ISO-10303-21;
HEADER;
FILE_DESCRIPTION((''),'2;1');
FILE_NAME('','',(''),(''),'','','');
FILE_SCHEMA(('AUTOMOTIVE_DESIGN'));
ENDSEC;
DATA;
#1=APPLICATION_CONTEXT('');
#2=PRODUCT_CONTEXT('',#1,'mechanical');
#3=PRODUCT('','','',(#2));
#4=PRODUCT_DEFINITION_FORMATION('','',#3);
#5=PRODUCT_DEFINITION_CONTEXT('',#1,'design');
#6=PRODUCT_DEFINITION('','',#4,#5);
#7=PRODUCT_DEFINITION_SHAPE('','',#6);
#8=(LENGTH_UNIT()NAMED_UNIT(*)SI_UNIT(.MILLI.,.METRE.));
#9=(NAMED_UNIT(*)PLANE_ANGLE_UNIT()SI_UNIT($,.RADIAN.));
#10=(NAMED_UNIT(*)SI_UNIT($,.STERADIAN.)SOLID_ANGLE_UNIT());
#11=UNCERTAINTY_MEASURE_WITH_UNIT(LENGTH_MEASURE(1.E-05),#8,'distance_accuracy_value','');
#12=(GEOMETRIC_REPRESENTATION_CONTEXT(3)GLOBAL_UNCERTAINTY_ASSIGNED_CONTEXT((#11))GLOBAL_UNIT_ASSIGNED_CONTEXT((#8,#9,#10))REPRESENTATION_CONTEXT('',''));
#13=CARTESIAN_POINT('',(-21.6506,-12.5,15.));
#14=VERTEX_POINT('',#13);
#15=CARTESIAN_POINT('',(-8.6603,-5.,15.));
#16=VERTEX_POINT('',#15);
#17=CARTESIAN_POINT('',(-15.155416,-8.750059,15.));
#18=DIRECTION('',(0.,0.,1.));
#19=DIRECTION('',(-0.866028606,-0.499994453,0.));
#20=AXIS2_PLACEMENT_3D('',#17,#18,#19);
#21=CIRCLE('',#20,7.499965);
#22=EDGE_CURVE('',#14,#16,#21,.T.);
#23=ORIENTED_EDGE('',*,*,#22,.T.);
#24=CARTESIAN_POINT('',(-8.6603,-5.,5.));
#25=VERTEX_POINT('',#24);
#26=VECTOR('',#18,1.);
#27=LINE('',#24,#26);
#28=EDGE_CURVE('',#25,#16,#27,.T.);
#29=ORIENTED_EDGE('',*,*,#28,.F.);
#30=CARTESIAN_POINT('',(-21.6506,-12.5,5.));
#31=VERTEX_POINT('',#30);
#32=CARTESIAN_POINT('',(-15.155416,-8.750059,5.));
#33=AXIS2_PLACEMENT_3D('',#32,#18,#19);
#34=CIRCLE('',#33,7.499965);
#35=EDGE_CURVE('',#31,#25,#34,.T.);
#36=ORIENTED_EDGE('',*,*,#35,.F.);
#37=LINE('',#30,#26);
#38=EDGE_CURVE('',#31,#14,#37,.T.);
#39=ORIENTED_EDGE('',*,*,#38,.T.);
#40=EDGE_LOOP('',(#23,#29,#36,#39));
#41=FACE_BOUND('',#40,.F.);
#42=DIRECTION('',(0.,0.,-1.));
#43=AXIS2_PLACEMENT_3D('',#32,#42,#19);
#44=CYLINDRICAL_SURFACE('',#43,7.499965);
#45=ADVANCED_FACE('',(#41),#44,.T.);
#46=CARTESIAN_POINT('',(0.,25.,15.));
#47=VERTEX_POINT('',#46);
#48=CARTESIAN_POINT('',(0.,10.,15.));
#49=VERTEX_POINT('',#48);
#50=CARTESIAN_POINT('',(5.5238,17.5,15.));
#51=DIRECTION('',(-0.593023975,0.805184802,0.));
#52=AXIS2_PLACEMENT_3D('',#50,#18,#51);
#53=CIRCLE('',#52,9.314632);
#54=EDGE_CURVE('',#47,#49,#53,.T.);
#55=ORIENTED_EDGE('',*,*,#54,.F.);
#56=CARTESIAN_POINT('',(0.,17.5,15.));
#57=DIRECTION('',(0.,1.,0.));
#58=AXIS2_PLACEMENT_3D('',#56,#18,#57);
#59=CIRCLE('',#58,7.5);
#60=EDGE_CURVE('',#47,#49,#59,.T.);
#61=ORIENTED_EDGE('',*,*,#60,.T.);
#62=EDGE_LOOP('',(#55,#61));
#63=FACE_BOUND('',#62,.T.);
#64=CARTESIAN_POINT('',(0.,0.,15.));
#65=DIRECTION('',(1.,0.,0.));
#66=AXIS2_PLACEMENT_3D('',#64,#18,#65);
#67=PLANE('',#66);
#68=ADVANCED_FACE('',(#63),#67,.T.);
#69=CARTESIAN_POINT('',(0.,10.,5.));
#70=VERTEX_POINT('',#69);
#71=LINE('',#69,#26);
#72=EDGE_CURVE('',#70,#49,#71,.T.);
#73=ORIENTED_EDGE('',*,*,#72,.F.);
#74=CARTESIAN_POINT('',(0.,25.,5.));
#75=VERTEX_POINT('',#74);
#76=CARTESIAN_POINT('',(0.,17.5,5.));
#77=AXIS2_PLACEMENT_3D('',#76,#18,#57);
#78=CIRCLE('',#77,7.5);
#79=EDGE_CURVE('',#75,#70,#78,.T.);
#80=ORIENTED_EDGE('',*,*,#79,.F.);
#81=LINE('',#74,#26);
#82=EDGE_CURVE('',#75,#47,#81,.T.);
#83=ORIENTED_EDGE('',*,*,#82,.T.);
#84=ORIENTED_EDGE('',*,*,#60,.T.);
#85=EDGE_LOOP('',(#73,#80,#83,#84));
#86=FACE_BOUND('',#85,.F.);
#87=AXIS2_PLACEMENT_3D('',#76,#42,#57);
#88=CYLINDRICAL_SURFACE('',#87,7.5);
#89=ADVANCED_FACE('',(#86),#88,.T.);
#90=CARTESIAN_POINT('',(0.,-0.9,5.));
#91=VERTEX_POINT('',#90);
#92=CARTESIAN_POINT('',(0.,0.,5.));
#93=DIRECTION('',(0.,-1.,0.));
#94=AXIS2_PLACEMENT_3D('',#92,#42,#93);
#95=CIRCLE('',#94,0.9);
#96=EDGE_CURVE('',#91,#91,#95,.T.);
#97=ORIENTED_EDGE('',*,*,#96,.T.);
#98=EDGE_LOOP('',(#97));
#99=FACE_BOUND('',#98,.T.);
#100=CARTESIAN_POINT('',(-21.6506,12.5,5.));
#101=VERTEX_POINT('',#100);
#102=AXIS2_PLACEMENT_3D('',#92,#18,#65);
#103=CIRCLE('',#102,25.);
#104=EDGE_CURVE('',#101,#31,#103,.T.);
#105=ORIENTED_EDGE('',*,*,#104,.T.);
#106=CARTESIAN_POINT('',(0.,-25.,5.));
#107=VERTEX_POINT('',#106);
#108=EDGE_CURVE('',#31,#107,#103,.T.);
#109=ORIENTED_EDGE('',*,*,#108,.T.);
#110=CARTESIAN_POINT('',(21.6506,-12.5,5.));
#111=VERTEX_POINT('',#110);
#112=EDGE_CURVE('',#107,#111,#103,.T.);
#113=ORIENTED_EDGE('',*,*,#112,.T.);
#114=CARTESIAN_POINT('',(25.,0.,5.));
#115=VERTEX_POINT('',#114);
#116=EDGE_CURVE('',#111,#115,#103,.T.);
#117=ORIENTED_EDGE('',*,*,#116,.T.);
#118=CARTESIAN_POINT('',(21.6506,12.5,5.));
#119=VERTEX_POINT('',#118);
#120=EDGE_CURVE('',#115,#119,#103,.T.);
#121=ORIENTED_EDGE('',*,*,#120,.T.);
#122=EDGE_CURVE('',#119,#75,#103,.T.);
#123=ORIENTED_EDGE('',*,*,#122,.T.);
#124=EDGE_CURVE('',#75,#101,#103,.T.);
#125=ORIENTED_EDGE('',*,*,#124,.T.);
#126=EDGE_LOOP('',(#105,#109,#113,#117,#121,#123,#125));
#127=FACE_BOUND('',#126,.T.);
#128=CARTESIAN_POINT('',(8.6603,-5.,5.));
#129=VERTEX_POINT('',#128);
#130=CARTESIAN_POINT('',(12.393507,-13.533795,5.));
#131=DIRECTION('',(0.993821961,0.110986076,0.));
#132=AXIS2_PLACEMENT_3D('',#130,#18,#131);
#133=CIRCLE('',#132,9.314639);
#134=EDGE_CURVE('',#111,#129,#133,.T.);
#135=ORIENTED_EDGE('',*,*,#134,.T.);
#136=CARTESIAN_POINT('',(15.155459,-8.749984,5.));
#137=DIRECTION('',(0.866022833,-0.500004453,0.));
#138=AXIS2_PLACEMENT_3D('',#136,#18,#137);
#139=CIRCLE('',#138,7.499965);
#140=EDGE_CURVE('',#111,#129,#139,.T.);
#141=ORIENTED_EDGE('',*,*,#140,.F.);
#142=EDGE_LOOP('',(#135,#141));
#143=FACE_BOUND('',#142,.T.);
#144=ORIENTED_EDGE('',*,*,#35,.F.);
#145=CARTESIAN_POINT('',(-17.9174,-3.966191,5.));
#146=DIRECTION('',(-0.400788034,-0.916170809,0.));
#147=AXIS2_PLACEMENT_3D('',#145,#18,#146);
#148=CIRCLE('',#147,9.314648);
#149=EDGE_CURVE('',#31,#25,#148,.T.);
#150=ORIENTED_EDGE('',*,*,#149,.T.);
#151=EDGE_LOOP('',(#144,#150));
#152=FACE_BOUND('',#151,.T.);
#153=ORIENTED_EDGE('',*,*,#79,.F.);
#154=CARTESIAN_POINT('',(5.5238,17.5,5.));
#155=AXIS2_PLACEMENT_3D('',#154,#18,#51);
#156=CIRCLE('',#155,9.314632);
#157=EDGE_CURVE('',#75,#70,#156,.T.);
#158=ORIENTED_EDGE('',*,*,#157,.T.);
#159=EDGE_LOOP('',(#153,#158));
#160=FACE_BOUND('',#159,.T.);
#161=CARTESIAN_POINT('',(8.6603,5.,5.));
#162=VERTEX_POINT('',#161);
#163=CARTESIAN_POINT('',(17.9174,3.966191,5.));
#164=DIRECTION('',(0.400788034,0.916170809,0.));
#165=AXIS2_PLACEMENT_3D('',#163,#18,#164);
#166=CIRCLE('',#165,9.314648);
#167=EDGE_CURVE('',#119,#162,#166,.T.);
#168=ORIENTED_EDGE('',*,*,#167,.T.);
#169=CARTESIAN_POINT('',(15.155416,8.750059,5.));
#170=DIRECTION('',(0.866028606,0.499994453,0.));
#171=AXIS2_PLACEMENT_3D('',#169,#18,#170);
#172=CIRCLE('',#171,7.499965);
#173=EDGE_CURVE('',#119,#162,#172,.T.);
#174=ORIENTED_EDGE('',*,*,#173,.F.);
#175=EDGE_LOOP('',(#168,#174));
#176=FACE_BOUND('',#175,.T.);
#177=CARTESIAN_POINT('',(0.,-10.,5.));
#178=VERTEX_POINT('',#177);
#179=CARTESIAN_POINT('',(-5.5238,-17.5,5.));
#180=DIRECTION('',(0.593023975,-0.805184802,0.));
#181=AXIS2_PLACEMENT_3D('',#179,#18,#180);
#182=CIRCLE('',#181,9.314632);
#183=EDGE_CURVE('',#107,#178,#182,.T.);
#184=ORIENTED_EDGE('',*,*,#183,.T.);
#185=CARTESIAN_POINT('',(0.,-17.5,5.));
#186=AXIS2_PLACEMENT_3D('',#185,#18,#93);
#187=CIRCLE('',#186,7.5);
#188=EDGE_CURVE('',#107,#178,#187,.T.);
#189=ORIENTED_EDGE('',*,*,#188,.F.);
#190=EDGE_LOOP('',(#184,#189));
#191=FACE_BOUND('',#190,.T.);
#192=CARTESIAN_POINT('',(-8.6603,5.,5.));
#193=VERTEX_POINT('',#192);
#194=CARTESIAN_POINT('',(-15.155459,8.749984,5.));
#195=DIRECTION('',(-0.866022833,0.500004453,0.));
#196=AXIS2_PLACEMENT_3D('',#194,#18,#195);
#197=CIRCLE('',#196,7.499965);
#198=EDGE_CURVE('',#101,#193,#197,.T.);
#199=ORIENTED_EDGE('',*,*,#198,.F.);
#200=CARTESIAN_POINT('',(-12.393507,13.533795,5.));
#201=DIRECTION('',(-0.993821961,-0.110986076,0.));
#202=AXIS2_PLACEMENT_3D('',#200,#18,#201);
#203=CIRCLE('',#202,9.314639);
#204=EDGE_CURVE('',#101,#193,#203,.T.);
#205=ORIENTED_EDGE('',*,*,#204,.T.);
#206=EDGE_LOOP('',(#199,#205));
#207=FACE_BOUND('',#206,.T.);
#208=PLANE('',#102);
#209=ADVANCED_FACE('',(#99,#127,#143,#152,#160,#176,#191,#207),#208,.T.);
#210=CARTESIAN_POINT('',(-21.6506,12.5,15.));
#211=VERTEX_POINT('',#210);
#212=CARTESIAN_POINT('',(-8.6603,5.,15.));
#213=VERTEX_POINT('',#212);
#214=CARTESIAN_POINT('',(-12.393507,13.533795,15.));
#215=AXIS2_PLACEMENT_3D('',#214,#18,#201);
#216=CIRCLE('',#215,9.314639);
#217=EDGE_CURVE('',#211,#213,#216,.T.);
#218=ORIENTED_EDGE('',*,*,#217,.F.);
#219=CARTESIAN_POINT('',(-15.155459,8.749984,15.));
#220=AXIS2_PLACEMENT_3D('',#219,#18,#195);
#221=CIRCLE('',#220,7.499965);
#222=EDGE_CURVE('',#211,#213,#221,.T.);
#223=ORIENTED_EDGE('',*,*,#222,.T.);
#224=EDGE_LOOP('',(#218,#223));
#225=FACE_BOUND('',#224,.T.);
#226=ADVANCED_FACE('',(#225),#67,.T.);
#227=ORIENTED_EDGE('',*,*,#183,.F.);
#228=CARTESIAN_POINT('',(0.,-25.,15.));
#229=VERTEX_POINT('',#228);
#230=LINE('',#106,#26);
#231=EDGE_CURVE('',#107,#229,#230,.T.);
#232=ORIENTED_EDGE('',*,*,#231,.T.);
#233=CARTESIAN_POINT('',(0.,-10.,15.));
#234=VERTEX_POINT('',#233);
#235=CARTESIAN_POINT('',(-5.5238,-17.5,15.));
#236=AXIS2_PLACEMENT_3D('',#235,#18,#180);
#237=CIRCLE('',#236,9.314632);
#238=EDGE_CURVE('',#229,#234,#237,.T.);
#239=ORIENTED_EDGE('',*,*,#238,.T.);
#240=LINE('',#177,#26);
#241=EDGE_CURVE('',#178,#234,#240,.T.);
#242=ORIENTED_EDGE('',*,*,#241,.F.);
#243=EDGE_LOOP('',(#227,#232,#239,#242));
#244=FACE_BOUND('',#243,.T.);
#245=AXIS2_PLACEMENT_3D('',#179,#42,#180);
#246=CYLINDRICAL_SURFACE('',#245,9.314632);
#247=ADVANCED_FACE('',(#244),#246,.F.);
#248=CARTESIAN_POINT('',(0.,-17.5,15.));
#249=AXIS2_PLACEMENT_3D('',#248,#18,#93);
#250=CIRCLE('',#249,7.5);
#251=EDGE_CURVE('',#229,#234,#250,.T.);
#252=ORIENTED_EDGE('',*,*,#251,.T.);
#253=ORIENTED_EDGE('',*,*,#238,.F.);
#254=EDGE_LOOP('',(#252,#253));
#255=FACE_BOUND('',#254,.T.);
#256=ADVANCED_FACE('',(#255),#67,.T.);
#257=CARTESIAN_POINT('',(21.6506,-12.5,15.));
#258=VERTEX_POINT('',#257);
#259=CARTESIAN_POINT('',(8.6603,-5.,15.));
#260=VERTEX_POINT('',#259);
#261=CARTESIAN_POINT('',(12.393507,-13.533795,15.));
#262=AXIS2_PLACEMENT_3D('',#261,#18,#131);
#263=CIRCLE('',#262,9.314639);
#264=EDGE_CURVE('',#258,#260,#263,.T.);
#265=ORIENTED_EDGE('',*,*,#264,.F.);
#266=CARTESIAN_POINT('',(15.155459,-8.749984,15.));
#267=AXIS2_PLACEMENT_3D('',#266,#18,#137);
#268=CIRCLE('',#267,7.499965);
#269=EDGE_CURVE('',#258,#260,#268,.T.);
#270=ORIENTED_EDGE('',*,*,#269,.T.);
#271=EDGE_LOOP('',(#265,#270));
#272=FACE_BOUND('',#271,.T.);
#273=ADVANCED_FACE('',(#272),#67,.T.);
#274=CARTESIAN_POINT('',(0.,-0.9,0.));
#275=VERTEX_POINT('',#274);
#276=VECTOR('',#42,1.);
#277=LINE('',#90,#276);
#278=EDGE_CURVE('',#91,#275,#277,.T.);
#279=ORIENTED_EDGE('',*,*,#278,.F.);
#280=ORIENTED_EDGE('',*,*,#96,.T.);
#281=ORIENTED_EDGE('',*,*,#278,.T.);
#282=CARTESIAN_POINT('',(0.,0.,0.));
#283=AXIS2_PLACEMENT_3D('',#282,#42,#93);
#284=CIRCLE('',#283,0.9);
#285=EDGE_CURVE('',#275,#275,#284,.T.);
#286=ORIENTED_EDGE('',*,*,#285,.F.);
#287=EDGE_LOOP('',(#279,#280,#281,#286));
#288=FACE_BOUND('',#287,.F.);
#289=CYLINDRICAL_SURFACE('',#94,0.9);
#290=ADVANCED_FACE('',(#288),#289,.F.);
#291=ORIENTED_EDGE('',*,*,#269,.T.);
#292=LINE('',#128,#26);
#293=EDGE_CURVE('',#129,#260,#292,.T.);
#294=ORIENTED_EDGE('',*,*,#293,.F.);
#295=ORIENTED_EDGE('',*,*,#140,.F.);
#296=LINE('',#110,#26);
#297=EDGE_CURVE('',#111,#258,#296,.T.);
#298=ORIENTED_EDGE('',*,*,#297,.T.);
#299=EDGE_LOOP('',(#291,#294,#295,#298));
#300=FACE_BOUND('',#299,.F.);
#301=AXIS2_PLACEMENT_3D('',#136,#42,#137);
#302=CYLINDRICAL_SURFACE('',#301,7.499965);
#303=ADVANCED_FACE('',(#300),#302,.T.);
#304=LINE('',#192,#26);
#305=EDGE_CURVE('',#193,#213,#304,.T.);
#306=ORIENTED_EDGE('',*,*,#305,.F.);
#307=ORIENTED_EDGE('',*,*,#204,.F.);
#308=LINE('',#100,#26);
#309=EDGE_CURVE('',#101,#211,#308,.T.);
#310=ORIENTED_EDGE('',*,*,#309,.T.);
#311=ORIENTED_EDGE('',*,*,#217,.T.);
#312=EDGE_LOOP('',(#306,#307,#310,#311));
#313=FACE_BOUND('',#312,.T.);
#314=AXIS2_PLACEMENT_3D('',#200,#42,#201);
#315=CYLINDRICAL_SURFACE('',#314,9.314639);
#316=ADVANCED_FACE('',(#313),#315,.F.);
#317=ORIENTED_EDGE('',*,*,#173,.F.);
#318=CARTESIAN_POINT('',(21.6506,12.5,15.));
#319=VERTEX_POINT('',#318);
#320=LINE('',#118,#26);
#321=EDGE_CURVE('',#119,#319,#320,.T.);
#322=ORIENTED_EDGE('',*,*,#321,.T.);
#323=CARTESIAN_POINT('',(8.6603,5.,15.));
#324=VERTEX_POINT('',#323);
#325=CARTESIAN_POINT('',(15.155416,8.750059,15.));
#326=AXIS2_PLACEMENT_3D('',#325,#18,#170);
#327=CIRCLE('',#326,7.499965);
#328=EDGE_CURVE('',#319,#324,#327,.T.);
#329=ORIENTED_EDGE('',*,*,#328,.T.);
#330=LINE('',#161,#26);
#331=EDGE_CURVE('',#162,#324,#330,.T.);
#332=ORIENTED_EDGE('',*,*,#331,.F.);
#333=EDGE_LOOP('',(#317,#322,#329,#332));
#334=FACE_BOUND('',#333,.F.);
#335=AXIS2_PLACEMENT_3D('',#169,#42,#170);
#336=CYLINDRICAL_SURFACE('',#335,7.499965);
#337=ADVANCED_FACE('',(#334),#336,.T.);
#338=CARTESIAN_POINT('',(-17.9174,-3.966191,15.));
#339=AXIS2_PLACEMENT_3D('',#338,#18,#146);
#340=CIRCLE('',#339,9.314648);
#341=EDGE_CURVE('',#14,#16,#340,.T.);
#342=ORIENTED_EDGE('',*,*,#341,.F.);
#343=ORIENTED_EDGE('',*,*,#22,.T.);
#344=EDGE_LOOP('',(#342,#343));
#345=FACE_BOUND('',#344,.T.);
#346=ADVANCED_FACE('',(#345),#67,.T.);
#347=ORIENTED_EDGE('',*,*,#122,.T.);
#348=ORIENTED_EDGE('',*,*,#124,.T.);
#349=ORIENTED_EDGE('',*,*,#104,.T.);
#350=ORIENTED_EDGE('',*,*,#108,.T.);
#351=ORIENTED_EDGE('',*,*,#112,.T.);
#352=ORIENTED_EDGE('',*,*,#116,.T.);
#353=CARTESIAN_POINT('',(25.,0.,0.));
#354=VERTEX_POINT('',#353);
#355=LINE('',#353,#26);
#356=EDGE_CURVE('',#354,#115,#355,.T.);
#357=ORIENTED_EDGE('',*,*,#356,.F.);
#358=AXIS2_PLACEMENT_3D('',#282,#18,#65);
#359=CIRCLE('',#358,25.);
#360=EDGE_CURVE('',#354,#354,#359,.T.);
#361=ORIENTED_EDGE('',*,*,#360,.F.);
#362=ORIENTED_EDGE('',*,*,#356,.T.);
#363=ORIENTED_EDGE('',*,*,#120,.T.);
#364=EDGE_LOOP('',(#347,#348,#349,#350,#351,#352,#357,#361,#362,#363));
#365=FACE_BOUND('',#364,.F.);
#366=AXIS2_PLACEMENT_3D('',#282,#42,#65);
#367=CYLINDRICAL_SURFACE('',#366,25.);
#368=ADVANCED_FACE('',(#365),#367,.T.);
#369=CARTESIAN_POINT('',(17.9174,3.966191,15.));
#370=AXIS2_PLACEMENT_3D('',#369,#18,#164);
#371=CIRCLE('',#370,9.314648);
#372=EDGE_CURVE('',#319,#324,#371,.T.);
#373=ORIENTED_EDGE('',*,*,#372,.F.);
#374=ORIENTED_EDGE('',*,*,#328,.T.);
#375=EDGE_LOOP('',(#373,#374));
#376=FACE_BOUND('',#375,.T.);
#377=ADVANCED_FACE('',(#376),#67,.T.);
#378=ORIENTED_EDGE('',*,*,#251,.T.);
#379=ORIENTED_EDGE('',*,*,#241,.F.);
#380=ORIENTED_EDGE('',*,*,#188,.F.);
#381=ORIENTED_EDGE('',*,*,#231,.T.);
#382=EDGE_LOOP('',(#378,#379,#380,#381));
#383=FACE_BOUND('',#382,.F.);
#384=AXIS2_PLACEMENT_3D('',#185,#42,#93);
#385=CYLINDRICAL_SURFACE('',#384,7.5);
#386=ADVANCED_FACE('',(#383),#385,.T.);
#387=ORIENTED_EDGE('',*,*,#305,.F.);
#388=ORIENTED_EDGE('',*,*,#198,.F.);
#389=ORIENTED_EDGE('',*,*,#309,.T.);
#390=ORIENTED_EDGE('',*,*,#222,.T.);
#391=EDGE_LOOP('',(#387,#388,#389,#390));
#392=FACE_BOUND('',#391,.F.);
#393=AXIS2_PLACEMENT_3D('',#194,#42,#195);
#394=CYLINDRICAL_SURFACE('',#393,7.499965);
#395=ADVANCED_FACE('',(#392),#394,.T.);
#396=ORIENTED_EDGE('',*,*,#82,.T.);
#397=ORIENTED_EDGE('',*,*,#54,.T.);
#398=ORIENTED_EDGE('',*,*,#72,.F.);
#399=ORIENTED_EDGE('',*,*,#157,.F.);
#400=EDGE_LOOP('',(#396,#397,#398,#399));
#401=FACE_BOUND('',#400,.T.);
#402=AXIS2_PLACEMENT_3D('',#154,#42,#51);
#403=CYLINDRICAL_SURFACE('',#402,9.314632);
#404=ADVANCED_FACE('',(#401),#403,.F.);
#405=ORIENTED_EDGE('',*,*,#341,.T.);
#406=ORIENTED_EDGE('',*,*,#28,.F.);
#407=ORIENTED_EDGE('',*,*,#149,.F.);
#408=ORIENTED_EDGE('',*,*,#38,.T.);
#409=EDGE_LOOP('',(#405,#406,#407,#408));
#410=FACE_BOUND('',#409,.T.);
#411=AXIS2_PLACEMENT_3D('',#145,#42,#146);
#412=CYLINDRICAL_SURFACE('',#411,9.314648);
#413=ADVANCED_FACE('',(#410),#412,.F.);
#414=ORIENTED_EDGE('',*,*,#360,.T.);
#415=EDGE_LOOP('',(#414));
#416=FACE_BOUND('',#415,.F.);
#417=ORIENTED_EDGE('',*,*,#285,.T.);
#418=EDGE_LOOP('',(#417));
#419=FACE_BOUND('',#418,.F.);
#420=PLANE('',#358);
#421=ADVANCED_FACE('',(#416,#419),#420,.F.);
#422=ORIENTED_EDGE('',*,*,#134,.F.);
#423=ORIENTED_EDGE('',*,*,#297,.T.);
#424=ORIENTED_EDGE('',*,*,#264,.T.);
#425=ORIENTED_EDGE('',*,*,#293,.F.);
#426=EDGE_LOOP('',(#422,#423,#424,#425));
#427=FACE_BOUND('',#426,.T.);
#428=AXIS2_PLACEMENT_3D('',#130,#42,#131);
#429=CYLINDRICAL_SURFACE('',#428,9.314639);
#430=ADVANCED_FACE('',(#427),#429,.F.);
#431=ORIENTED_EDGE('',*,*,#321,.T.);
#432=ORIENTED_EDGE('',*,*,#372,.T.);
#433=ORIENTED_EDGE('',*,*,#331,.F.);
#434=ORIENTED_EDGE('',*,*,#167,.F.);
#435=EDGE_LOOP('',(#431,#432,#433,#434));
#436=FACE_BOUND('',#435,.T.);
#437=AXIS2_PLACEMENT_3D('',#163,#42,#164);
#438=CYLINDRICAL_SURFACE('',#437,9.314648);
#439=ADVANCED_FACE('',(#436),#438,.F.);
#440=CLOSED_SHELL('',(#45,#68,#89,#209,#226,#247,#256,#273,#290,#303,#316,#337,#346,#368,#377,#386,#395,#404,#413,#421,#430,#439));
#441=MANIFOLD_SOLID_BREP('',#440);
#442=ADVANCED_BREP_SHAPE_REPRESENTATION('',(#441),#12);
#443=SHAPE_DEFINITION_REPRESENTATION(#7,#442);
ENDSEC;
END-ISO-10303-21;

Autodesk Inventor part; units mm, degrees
ref_plane "YZ Plane" through (0, 0, 0) normal (1, 0, 0) x (0, 1, 0)
ref_plane "XZ Plane" through (0, 0, 0) normal (0, 1, 0) x (-1, 0, 0)
ref_plane "XY Plane" through (0, 0, 0) normal (0, 0, 1) x (1, 0, 0)
sketch "スケッチ1" plane through (0, 0, 0) normal (0, 0, 1) x (1, 0, 0)
  circle A0 centre (0, 0) radius 25
  dimension "d0" = 50
extrude "押し出し1" add sketch "スケッチ1" along normal blind 5
sketch "スケッチ2" plane through (0, 0, 5) normal (0, 0, 1) x (1, 0, 0)
  circle A0 centre (0, 0) radius 10
  circle A1 centre (0, 0) radius 25 projected
  arc A2 (0, 25) -> (0, 10) centre (0, 17.5) ccw
  arc A3 (0, 25) -> (0, 10) centre (5.5238, 17.5) ccw
  arc A4 (-21.6506, 12.5) -> (-8.6603, 5) centre (-12.3935, 13.5338) ccw
  arc A5 (-21.6506, 12.5) -> (-8.6603, 5) centre (-15.1554, 8.75) ccw
  arc A6 (-21.6506, -12.5) -> (-8.6603, -5) centre (-17.9174, -3.9662) ccw
  arc A7 (-21.6506, -12.5) -> (-8.6603, -5) centre (-15.1554, -8.75) ccw
  arc A8 (0, -25) -> (0, -10) centre (-5.5238, -17.5) ccw
  arc A9 (0, -25) -> (0, -10) centre (0, -17.5) ccw
  arc A10 (21.6506, -12.5) -> (8.6603, -5) centre (12.3935, -13.5338) ccw
  arc A11 (21.6506, -12.5) -> (8.6603, -5) centre (15.1554, -8.75) ccw
  arc A12 (21.6506, 12.5) -> (8.6603, 5) centre (17.9174, 3.9662) ccw
  arc A13 (21.6506, 12.5) -> (8.6603, 5) centre (15.1554, 8.75) ccw
  dimension "d3" = 20
  dimension "d6" = 360
extrude "押し出し2" add sketch "スケッチ2" along normal blind 10 contours A13 A12 | A11 A10 | A2 A3 | A9 A8 | A5 A4 | A7 A6
sketch "スケッチ3" plane through (0, 0, 5) normal (0, 0, 1) x (1, 0, 0)
  point P0 (0, 0)
hole "穴1" at (0, 0, 5) direction (0, 0, -1) diameter 1.8 depth 8.8 tip angle 118
properties part number "20220627_fan"
